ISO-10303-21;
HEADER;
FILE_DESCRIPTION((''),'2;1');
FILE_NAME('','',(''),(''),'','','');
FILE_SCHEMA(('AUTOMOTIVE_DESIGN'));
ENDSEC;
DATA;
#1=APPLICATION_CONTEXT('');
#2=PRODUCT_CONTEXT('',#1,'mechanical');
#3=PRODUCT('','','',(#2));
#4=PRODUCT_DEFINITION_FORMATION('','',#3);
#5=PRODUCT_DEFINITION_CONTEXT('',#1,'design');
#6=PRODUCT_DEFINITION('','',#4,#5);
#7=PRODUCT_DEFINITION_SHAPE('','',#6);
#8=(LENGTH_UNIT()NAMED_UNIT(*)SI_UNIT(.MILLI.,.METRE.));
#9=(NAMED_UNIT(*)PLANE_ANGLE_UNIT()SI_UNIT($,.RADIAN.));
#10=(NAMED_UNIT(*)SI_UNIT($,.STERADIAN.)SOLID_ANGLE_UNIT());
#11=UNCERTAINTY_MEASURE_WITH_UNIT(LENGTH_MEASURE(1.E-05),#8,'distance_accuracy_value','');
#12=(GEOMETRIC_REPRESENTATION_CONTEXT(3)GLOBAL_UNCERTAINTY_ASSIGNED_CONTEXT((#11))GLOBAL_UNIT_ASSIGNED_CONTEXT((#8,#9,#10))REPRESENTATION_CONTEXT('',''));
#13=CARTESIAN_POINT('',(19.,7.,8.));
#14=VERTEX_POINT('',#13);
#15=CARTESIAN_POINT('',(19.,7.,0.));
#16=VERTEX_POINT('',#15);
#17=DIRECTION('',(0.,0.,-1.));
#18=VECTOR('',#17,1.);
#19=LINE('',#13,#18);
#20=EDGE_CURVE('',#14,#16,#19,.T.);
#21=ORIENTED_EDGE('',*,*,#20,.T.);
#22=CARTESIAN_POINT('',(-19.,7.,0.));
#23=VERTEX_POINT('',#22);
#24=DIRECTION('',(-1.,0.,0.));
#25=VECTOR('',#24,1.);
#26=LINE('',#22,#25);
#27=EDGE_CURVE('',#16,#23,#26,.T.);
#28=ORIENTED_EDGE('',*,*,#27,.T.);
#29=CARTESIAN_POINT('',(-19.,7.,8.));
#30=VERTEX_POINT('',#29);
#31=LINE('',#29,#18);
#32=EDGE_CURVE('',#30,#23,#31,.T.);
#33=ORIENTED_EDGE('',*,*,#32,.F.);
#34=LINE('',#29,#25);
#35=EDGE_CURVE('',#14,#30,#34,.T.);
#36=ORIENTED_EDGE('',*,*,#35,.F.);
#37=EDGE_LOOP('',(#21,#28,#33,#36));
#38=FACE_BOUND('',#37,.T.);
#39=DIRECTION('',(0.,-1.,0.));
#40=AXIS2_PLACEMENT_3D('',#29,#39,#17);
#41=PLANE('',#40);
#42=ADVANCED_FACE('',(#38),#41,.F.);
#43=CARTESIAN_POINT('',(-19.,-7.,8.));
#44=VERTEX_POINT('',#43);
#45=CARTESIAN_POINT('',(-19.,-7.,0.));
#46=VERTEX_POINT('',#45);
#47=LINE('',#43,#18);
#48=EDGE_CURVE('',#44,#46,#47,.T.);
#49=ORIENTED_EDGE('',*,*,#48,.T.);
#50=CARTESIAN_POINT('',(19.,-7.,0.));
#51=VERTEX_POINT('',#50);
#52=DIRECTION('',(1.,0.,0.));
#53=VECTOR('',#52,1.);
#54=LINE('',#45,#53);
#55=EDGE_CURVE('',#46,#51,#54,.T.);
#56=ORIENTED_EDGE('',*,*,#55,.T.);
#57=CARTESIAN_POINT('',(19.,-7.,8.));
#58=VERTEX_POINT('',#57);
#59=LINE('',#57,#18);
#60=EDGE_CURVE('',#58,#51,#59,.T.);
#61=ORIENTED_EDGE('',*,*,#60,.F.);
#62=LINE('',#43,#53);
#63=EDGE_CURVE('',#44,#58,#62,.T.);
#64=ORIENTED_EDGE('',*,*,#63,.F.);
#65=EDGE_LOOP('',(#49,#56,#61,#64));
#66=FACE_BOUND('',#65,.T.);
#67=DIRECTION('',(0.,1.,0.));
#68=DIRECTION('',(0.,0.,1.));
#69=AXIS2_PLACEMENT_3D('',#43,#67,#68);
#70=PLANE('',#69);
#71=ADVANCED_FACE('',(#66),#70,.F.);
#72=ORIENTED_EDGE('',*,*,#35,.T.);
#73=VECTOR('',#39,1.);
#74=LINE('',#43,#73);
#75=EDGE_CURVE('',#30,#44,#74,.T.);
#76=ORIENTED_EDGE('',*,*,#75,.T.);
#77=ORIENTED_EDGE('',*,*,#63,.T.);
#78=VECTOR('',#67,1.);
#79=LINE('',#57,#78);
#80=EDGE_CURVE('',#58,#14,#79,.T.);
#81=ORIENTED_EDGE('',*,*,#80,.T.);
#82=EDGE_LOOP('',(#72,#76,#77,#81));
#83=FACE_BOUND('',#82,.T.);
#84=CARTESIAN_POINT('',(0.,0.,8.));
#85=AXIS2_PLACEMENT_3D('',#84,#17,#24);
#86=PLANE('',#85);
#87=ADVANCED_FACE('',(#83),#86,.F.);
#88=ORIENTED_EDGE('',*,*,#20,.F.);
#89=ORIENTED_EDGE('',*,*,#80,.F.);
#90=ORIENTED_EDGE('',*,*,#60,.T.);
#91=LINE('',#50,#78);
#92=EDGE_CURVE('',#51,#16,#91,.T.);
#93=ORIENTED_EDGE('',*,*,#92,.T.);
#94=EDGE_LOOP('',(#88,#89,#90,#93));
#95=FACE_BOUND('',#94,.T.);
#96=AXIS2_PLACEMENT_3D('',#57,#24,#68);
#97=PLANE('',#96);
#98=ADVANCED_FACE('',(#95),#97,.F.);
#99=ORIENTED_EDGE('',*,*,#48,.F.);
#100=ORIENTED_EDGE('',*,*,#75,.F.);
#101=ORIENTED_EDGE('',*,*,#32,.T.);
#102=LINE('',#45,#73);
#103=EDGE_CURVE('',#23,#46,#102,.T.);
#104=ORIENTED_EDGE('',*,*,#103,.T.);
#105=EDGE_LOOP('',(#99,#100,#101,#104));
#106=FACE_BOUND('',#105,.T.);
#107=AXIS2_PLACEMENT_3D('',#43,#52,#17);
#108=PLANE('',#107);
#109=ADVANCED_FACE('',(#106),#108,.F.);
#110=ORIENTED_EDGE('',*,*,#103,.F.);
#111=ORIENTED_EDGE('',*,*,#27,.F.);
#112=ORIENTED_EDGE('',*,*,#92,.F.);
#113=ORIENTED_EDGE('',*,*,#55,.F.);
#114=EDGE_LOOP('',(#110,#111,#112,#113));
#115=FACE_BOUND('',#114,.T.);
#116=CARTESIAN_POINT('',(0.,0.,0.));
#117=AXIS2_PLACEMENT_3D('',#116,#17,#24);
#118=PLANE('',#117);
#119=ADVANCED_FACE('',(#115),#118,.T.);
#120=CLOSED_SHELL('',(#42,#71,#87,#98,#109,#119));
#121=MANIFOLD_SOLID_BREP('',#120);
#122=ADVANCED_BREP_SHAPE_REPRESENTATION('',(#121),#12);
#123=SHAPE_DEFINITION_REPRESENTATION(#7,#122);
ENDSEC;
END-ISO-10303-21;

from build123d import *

# Parameters (mm, degrees)
SKETCH1_W           = 38
SKETCH1_H           = 14
BOSS_EXTRUDE1_DEPTH = 8


with BuildPart() as part:
    # Sketch1 → Boss-Extrude1 (new body)
    with BuildSketch(Plane.XY):
        Rectangle(SKETCH1_W, SKETCH1_H)
    extrude(amount=BOSS_EXTRUDE1_DEPTH)


solid = part.part
